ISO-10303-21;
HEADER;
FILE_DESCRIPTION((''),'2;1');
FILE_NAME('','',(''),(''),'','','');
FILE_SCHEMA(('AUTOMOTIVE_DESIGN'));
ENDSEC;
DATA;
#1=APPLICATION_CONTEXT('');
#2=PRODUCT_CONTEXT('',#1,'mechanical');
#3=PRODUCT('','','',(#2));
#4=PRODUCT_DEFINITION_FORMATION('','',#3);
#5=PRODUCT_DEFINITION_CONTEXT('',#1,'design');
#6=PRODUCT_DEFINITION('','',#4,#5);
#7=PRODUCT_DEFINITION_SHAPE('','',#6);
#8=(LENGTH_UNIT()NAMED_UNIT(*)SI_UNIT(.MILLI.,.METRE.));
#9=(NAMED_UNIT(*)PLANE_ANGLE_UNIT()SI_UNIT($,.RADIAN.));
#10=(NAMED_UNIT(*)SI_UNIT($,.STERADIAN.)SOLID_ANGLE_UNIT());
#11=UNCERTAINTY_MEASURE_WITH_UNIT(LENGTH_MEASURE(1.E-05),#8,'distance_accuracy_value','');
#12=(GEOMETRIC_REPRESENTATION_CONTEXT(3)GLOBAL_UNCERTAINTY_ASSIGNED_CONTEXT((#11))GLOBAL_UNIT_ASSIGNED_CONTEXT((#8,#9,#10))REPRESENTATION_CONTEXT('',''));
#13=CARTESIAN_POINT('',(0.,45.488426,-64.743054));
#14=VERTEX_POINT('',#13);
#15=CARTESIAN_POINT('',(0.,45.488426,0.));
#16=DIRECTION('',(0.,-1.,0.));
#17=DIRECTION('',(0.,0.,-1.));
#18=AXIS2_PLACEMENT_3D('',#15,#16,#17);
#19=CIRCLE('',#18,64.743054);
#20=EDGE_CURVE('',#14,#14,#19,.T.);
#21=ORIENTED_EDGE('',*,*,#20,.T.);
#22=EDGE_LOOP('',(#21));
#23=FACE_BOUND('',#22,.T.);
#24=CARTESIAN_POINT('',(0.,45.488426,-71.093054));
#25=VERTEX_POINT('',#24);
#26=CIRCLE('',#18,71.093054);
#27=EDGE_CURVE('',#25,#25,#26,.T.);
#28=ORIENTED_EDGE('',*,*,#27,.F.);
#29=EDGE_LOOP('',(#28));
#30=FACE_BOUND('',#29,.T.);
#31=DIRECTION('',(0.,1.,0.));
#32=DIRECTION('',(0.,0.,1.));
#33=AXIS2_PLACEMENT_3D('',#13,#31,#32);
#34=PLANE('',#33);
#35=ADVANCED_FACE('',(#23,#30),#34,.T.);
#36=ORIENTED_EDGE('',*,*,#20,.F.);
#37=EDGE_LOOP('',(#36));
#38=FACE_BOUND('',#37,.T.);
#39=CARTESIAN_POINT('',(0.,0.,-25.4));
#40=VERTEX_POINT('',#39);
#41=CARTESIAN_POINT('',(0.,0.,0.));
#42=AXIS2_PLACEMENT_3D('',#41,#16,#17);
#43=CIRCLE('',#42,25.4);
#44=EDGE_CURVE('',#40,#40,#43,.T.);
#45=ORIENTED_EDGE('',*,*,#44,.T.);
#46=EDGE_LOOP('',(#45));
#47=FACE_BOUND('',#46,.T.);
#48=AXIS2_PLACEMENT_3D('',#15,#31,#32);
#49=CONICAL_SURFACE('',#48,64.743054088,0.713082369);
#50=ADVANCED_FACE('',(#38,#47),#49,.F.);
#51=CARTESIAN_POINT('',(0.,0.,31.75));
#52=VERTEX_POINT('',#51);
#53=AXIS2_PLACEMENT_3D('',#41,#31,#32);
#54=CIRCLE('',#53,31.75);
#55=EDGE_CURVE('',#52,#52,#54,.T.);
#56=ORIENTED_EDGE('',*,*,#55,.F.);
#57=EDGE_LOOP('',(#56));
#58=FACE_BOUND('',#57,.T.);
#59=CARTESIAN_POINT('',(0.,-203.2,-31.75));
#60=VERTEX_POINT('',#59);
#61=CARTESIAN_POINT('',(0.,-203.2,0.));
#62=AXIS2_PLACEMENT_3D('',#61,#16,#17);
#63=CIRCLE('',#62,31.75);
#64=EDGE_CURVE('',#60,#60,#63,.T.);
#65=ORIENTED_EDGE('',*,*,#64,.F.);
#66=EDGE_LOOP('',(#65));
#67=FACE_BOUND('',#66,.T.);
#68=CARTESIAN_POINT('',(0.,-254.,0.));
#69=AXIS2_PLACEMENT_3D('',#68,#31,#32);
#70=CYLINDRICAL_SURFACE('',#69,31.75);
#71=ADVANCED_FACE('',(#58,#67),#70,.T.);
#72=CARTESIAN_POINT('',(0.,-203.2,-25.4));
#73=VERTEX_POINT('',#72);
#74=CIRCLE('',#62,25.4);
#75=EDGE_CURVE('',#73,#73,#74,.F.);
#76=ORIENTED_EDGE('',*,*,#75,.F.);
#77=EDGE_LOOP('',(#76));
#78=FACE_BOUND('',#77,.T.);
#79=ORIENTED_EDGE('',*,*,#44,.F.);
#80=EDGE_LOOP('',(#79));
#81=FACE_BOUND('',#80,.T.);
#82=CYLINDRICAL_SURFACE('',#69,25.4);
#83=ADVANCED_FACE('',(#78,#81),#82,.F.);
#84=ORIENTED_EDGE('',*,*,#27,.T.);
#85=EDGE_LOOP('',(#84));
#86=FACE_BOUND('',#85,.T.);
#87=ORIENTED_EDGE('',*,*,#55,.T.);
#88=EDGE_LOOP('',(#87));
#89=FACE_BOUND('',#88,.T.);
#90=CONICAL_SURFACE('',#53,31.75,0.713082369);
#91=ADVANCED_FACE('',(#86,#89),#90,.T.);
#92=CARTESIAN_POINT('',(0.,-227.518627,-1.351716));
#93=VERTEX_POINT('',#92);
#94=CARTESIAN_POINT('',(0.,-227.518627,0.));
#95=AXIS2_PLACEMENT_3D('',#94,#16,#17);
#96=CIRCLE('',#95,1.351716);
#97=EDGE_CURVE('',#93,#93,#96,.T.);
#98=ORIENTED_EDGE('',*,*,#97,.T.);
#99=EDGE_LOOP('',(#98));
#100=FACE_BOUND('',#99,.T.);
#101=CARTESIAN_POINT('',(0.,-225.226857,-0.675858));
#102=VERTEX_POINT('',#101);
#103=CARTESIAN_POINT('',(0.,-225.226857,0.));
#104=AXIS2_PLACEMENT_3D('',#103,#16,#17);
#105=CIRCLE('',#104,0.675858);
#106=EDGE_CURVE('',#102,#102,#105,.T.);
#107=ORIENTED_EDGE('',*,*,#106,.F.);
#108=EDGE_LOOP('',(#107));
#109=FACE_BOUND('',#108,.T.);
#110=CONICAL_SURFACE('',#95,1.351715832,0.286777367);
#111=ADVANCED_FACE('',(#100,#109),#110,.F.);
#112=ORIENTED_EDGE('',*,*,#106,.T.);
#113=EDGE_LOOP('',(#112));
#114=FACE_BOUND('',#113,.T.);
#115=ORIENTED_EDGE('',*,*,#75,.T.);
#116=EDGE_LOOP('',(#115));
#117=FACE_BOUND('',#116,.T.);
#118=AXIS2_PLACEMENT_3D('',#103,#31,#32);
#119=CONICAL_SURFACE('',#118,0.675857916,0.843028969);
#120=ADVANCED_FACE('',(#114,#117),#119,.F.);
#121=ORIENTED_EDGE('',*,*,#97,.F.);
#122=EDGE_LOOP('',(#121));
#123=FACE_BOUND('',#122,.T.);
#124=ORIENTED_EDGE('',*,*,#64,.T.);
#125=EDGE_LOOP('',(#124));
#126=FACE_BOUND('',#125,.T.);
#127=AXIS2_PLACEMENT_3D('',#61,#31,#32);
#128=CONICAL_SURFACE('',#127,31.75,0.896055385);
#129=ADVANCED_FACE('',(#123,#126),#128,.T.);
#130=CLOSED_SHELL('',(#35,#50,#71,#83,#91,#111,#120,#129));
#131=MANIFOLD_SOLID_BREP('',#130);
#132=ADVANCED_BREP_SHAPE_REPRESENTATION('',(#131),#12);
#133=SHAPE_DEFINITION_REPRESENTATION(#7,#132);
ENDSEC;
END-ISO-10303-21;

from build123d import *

# Parameters (mm, degrees)
SKETCH2_R           = 31.75
SKETCH2_R_2         = 25.4
BOSS_EXTRUDE1_DEPTH = 254
SKETCH5_R           = 46.805948237
CUT_EXTRUDE1_DEPTH  = 50.8


with BuildPart() as part:
    # Sketch2 → Boss-Extrude1 (new body)
    with BuildSketch(Plane(origin=(0, 0, 0), x_dir=(1, 0, 0), z_dir=(0, 1, 0))):
        Circle(SKETCH2_R)
        Circle(SKETCH2_R_2, mode=Mode.SUBTRACT)
    extrude(amount=-BOSS_EXTRUDE1_DEPTH)

    # Sketch4 → Revolve1 (revolve)
    with BuildSketch(Plane(origin=(0, 0, 0), x_dir=(0, 0, -1), z_dir=(1, 0, 0))):
        Polygon((31.75, 0), (71.093054088, 45.488426276), (64.743054088, 45.488426276), (25.4, 0), align=None)
    revolve(axis=Axis((0, 0, 0), (0, 1, 0)))

    # Sketch5 → Cut-Extrude1 (cut)
    with BuildSketch(Plane.XZ.offset(254)):
        Circle(SKETCH5_R)
    extrude(amount=-CUT_EXTRUDE1_DEPTH, mode=Mode.SUBTRACT)

    # Sketch6 → Revolve2 (revolve)
    with BuildSketch(Plane(origin=(0, 0, 0), x_dir=(0, 0, -1), z_dir=(1, 0, 0))):
        Polygon((-31.75, -203.2), (-25.4, -203.2), (-0.675857916, -225.226857467), (-1.351715832, -227.518627335), align=None)
    revolve(axis=Axis((0, -254, 0), (0, 1, 0)))


solid = part.part
